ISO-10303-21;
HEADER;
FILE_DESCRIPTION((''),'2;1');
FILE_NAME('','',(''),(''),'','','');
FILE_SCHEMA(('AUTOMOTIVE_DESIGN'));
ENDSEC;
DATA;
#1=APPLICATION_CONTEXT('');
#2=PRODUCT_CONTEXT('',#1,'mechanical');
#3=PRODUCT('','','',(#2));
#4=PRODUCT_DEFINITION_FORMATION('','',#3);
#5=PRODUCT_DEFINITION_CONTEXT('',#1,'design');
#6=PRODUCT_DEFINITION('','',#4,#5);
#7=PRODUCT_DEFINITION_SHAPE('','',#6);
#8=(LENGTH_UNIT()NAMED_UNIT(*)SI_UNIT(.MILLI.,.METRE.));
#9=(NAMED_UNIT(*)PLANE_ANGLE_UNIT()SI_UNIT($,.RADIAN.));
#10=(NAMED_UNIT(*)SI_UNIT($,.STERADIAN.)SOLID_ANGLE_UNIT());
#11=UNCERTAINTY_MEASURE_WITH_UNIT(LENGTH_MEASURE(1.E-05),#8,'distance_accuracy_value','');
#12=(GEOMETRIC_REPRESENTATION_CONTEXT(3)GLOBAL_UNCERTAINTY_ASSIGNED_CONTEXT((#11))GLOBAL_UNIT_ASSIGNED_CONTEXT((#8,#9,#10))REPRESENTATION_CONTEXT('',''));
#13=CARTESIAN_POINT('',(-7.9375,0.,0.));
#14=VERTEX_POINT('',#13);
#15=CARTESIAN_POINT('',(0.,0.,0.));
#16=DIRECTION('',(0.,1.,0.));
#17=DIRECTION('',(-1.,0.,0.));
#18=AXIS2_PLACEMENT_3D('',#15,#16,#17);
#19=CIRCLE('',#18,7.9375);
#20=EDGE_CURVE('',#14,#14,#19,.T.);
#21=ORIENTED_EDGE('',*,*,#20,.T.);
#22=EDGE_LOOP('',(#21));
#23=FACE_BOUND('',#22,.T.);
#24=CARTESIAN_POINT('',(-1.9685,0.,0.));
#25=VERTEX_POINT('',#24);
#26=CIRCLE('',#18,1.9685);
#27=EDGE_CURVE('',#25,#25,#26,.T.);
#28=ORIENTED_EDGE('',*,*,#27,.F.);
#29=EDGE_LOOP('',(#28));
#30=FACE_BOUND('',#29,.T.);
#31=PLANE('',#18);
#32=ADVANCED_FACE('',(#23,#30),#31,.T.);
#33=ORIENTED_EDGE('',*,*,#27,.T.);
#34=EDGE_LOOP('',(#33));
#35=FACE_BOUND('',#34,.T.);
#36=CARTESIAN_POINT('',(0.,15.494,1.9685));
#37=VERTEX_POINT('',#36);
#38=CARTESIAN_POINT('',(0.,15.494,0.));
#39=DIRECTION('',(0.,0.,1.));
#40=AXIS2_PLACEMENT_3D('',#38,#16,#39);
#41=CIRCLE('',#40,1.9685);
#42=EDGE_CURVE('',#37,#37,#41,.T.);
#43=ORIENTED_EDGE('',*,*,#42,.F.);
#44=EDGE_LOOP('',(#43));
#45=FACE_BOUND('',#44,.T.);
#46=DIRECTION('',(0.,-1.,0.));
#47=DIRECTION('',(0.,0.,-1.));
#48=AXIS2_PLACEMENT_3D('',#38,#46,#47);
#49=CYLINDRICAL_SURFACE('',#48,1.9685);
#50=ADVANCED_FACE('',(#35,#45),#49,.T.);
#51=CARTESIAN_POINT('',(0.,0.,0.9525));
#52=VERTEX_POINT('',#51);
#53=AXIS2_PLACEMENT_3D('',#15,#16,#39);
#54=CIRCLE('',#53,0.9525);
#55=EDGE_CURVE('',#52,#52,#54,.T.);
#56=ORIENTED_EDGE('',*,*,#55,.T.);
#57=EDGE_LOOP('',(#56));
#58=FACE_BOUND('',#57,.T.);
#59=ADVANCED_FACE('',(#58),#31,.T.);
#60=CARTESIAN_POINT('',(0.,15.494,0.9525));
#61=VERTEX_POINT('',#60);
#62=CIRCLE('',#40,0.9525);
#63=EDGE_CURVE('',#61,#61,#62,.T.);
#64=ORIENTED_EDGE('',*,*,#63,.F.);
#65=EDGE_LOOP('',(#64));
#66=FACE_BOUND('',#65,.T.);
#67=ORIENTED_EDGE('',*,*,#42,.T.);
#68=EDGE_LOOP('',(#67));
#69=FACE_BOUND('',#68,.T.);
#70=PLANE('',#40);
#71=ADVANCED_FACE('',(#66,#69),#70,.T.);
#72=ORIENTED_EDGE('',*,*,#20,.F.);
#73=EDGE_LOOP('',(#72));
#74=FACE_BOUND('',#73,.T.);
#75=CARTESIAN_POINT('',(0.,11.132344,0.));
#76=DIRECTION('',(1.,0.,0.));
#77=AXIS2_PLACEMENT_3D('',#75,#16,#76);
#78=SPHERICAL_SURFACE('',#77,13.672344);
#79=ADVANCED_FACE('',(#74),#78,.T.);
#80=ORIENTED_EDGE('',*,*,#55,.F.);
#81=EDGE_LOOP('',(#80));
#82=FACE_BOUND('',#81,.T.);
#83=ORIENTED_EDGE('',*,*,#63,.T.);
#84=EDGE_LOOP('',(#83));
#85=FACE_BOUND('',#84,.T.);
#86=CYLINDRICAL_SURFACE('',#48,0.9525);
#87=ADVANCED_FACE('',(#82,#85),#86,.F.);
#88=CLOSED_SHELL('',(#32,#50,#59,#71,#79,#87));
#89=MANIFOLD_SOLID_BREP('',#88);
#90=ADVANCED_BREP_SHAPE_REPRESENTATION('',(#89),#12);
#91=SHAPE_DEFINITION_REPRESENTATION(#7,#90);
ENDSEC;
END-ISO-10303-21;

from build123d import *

# Parameters (mm, degrees)
SKETCH1_R           = 1.9685
SKETCH1_R_2         = 0.9525
BOSS_EXTRUDE1_DEPTH = 15.494


with BuildPart() as part:
    # Sketch1 → Boss-Extrude1 (new body)
    with BuildSketch(Plane(origin=(0, 0, 0), x_dir=(1, 0, 0), z_dir=(0, 1, 0))):
        Circle(SKETCH1_R)
        Circle(SKETCH1_R_2, mode=Mode.SUBTRACT)
    extrude(amount=BOSS_EXTRUDE1_DEPTH)

    # Sketch2 one side → Revolve1 (revolve)
    with BuildSketch(Plane.XY):
        with BuildLine():
            ThreePointArc((0, -2.54), (4.166998508, -1.889526586), (7.9375, 0))
            Line((7.9375, 0), (0, 0))
            Line((0, 0), (0, -2.54))
        make_face()
    revolve(axis=Axis((0, 0, 0), (0, -1, 0)))


solid = part.part
